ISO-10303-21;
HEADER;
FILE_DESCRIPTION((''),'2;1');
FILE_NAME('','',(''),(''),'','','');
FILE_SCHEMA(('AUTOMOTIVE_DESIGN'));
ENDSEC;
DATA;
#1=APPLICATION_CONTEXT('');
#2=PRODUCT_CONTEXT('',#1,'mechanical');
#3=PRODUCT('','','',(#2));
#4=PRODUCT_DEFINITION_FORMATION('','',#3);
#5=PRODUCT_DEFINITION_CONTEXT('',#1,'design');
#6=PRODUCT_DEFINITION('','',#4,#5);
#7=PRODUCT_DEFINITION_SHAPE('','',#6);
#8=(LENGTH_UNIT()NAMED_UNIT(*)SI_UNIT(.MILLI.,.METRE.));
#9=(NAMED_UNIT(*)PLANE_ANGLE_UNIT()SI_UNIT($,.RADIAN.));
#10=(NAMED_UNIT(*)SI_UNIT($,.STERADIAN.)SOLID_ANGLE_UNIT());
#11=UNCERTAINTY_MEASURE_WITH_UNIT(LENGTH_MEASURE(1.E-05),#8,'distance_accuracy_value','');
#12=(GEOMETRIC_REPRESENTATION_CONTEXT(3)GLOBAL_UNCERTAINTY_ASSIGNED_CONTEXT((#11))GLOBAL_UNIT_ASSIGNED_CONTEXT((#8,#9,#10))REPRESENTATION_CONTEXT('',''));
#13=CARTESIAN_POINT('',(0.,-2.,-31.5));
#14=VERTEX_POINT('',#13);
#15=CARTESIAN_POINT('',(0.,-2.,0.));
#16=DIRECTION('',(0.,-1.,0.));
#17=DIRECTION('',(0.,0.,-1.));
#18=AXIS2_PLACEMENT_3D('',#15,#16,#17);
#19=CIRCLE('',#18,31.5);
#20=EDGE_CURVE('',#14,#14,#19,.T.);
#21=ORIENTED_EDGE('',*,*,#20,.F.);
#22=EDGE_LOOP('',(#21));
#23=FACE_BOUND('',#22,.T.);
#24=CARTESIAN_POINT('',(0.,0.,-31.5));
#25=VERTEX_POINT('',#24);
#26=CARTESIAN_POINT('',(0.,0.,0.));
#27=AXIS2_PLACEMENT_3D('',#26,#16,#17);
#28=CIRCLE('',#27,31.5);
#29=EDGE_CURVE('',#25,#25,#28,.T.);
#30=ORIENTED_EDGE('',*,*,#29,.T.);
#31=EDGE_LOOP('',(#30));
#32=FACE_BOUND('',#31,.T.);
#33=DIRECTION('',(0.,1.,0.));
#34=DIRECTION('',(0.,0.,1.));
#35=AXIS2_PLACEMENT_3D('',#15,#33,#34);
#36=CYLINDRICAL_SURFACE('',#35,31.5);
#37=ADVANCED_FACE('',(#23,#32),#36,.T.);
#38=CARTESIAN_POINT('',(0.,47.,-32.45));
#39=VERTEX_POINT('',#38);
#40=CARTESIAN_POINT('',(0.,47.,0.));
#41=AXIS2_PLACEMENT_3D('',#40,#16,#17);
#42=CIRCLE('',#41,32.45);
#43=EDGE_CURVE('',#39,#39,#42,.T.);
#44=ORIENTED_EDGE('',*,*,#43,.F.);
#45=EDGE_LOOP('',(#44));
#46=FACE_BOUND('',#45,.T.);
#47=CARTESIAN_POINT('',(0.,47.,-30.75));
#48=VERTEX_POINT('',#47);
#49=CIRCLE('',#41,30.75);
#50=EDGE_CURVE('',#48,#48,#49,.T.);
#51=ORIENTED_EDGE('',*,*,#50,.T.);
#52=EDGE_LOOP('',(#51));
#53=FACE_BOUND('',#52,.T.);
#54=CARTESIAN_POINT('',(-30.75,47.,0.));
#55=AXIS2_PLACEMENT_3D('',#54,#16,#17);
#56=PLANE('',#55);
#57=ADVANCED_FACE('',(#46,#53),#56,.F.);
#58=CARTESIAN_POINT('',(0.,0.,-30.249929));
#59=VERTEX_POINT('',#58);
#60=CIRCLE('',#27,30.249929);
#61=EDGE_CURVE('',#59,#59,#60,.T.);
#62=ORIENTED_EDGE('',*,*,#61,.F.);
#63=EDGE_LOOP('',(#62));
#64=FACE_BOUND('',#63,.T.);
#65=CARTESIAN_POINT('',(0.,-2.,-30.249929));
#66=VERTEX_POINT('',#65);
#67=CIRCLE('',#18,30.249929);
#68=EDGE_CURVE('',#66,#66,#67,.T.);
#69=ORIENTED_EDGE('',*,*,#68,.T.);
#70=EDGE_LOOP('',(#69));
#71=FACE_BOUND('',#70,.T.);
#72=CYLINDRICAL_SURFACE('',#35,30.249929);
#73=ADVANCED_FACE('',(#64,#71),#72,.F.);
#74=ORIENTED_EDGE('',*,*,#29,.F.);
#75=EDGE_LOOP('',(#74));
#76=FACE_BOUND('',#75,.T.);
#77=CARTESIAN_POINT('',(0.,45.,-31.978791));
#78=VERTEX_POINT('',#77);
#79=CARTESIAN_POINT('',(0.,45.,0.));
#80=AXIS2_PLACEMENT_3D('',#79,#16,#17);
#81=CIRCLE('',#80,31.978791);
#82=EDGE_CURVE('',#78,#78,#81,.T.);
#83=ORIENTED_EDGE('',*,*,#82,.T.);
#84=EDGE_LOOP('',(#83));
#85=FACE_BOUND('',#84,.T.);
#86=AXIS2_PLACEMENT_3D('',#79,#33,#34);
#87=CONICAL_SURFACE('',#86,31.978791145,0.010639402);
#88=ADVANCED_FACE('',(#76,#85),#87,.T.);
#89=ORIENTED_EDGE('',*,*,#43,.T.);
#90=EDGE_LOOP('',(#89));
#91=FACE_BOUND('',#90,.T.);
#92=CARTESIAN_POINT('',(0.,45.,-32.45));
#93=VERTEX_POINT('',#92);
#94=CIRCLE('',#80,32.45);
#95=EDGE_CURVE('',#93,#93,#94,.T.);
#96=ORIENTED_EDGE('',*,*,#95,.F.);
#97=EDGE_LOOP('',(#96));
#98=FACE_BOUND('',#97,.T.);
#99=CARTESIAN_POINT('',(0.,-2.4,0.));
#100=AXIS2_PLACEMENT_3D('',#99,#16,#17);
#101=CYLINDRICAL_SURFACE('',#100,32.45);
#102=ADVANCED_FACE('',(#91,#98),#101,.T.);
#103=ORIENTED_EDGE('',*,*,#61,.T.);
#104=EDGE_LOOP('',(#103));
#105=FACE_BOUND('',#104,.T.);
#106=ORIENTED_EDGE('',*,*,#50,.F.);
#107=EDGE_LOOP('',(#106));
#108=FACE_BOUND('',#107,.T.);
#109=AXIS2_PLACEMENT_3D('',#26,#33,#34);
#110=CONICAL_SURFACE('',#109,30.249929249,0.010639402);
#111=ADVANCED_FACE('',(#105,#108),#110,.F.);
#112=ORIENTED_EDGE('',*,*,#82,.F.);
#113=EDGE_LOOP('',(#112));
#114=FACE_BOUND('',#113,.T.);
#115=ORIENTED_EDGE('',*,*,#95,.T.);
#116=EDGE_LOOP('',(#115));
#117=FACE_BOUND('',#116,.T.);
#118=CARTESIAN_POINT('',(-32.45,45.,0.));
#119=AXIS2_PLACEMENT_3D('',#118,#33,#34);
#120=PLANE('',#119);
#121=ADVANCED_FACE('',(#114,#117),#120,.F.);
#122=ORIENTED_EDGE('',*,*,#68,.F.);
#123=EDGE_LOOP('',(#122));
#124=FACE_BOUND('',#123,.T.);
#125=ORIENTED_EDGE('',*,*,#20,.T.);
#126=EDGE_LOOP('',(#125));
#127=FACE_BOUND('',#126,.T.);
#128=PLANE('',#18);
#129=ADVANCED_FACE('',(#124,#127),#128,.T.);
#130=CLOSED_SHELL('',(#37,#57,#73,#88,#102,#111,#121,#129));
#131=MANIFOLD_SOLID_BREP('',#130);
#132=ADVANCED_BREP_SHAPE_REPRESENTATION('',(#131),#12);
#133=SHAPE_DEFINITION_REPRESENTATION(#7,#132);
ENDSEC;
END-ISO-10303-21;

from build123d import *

# Parameters (mm, degrees)
SKETCH_2_R      = 31.5
SKETCH_2_R_2    = 30.249929249
EXTRUDE_1_DEPTH = 2


with BuildPart() as part:
    # 草图1 → 旋转1 (revolve)
    with BuildSketch(Plane.XY, mode=Mode.PRIVATE) as revolve_1_sk:
        Polygon((-31.978791145, 45), (-31.5, 0), (-30.249929249, 0), (-30.75, 47), (-32.45, 47), (-32.45, 45), align=None)
    revolve(revolve_1_sk.sketch.rotate(Axis((0, -2.4, 0), (0, 1, 0)), 270), axis=Axis((0, -2.4, 0), (0, 1, 0)))

    # 草图2 → 凸台-拉伸1 (add)
    with BuildSketch(Plane.XZ):
        with Locations(Location((0, 0, 0), (0, 0, 270))):
            Circle(SKETCH_2_R)
        with Locations(Location((0, 0, 0), (0, 0, 270))):
            Circle(SKETCH_2_R_2, mode=Mode.SUBTRACT)
    extrude(amount=EXTRUDE_1_DEPTH)


solid = part.part
